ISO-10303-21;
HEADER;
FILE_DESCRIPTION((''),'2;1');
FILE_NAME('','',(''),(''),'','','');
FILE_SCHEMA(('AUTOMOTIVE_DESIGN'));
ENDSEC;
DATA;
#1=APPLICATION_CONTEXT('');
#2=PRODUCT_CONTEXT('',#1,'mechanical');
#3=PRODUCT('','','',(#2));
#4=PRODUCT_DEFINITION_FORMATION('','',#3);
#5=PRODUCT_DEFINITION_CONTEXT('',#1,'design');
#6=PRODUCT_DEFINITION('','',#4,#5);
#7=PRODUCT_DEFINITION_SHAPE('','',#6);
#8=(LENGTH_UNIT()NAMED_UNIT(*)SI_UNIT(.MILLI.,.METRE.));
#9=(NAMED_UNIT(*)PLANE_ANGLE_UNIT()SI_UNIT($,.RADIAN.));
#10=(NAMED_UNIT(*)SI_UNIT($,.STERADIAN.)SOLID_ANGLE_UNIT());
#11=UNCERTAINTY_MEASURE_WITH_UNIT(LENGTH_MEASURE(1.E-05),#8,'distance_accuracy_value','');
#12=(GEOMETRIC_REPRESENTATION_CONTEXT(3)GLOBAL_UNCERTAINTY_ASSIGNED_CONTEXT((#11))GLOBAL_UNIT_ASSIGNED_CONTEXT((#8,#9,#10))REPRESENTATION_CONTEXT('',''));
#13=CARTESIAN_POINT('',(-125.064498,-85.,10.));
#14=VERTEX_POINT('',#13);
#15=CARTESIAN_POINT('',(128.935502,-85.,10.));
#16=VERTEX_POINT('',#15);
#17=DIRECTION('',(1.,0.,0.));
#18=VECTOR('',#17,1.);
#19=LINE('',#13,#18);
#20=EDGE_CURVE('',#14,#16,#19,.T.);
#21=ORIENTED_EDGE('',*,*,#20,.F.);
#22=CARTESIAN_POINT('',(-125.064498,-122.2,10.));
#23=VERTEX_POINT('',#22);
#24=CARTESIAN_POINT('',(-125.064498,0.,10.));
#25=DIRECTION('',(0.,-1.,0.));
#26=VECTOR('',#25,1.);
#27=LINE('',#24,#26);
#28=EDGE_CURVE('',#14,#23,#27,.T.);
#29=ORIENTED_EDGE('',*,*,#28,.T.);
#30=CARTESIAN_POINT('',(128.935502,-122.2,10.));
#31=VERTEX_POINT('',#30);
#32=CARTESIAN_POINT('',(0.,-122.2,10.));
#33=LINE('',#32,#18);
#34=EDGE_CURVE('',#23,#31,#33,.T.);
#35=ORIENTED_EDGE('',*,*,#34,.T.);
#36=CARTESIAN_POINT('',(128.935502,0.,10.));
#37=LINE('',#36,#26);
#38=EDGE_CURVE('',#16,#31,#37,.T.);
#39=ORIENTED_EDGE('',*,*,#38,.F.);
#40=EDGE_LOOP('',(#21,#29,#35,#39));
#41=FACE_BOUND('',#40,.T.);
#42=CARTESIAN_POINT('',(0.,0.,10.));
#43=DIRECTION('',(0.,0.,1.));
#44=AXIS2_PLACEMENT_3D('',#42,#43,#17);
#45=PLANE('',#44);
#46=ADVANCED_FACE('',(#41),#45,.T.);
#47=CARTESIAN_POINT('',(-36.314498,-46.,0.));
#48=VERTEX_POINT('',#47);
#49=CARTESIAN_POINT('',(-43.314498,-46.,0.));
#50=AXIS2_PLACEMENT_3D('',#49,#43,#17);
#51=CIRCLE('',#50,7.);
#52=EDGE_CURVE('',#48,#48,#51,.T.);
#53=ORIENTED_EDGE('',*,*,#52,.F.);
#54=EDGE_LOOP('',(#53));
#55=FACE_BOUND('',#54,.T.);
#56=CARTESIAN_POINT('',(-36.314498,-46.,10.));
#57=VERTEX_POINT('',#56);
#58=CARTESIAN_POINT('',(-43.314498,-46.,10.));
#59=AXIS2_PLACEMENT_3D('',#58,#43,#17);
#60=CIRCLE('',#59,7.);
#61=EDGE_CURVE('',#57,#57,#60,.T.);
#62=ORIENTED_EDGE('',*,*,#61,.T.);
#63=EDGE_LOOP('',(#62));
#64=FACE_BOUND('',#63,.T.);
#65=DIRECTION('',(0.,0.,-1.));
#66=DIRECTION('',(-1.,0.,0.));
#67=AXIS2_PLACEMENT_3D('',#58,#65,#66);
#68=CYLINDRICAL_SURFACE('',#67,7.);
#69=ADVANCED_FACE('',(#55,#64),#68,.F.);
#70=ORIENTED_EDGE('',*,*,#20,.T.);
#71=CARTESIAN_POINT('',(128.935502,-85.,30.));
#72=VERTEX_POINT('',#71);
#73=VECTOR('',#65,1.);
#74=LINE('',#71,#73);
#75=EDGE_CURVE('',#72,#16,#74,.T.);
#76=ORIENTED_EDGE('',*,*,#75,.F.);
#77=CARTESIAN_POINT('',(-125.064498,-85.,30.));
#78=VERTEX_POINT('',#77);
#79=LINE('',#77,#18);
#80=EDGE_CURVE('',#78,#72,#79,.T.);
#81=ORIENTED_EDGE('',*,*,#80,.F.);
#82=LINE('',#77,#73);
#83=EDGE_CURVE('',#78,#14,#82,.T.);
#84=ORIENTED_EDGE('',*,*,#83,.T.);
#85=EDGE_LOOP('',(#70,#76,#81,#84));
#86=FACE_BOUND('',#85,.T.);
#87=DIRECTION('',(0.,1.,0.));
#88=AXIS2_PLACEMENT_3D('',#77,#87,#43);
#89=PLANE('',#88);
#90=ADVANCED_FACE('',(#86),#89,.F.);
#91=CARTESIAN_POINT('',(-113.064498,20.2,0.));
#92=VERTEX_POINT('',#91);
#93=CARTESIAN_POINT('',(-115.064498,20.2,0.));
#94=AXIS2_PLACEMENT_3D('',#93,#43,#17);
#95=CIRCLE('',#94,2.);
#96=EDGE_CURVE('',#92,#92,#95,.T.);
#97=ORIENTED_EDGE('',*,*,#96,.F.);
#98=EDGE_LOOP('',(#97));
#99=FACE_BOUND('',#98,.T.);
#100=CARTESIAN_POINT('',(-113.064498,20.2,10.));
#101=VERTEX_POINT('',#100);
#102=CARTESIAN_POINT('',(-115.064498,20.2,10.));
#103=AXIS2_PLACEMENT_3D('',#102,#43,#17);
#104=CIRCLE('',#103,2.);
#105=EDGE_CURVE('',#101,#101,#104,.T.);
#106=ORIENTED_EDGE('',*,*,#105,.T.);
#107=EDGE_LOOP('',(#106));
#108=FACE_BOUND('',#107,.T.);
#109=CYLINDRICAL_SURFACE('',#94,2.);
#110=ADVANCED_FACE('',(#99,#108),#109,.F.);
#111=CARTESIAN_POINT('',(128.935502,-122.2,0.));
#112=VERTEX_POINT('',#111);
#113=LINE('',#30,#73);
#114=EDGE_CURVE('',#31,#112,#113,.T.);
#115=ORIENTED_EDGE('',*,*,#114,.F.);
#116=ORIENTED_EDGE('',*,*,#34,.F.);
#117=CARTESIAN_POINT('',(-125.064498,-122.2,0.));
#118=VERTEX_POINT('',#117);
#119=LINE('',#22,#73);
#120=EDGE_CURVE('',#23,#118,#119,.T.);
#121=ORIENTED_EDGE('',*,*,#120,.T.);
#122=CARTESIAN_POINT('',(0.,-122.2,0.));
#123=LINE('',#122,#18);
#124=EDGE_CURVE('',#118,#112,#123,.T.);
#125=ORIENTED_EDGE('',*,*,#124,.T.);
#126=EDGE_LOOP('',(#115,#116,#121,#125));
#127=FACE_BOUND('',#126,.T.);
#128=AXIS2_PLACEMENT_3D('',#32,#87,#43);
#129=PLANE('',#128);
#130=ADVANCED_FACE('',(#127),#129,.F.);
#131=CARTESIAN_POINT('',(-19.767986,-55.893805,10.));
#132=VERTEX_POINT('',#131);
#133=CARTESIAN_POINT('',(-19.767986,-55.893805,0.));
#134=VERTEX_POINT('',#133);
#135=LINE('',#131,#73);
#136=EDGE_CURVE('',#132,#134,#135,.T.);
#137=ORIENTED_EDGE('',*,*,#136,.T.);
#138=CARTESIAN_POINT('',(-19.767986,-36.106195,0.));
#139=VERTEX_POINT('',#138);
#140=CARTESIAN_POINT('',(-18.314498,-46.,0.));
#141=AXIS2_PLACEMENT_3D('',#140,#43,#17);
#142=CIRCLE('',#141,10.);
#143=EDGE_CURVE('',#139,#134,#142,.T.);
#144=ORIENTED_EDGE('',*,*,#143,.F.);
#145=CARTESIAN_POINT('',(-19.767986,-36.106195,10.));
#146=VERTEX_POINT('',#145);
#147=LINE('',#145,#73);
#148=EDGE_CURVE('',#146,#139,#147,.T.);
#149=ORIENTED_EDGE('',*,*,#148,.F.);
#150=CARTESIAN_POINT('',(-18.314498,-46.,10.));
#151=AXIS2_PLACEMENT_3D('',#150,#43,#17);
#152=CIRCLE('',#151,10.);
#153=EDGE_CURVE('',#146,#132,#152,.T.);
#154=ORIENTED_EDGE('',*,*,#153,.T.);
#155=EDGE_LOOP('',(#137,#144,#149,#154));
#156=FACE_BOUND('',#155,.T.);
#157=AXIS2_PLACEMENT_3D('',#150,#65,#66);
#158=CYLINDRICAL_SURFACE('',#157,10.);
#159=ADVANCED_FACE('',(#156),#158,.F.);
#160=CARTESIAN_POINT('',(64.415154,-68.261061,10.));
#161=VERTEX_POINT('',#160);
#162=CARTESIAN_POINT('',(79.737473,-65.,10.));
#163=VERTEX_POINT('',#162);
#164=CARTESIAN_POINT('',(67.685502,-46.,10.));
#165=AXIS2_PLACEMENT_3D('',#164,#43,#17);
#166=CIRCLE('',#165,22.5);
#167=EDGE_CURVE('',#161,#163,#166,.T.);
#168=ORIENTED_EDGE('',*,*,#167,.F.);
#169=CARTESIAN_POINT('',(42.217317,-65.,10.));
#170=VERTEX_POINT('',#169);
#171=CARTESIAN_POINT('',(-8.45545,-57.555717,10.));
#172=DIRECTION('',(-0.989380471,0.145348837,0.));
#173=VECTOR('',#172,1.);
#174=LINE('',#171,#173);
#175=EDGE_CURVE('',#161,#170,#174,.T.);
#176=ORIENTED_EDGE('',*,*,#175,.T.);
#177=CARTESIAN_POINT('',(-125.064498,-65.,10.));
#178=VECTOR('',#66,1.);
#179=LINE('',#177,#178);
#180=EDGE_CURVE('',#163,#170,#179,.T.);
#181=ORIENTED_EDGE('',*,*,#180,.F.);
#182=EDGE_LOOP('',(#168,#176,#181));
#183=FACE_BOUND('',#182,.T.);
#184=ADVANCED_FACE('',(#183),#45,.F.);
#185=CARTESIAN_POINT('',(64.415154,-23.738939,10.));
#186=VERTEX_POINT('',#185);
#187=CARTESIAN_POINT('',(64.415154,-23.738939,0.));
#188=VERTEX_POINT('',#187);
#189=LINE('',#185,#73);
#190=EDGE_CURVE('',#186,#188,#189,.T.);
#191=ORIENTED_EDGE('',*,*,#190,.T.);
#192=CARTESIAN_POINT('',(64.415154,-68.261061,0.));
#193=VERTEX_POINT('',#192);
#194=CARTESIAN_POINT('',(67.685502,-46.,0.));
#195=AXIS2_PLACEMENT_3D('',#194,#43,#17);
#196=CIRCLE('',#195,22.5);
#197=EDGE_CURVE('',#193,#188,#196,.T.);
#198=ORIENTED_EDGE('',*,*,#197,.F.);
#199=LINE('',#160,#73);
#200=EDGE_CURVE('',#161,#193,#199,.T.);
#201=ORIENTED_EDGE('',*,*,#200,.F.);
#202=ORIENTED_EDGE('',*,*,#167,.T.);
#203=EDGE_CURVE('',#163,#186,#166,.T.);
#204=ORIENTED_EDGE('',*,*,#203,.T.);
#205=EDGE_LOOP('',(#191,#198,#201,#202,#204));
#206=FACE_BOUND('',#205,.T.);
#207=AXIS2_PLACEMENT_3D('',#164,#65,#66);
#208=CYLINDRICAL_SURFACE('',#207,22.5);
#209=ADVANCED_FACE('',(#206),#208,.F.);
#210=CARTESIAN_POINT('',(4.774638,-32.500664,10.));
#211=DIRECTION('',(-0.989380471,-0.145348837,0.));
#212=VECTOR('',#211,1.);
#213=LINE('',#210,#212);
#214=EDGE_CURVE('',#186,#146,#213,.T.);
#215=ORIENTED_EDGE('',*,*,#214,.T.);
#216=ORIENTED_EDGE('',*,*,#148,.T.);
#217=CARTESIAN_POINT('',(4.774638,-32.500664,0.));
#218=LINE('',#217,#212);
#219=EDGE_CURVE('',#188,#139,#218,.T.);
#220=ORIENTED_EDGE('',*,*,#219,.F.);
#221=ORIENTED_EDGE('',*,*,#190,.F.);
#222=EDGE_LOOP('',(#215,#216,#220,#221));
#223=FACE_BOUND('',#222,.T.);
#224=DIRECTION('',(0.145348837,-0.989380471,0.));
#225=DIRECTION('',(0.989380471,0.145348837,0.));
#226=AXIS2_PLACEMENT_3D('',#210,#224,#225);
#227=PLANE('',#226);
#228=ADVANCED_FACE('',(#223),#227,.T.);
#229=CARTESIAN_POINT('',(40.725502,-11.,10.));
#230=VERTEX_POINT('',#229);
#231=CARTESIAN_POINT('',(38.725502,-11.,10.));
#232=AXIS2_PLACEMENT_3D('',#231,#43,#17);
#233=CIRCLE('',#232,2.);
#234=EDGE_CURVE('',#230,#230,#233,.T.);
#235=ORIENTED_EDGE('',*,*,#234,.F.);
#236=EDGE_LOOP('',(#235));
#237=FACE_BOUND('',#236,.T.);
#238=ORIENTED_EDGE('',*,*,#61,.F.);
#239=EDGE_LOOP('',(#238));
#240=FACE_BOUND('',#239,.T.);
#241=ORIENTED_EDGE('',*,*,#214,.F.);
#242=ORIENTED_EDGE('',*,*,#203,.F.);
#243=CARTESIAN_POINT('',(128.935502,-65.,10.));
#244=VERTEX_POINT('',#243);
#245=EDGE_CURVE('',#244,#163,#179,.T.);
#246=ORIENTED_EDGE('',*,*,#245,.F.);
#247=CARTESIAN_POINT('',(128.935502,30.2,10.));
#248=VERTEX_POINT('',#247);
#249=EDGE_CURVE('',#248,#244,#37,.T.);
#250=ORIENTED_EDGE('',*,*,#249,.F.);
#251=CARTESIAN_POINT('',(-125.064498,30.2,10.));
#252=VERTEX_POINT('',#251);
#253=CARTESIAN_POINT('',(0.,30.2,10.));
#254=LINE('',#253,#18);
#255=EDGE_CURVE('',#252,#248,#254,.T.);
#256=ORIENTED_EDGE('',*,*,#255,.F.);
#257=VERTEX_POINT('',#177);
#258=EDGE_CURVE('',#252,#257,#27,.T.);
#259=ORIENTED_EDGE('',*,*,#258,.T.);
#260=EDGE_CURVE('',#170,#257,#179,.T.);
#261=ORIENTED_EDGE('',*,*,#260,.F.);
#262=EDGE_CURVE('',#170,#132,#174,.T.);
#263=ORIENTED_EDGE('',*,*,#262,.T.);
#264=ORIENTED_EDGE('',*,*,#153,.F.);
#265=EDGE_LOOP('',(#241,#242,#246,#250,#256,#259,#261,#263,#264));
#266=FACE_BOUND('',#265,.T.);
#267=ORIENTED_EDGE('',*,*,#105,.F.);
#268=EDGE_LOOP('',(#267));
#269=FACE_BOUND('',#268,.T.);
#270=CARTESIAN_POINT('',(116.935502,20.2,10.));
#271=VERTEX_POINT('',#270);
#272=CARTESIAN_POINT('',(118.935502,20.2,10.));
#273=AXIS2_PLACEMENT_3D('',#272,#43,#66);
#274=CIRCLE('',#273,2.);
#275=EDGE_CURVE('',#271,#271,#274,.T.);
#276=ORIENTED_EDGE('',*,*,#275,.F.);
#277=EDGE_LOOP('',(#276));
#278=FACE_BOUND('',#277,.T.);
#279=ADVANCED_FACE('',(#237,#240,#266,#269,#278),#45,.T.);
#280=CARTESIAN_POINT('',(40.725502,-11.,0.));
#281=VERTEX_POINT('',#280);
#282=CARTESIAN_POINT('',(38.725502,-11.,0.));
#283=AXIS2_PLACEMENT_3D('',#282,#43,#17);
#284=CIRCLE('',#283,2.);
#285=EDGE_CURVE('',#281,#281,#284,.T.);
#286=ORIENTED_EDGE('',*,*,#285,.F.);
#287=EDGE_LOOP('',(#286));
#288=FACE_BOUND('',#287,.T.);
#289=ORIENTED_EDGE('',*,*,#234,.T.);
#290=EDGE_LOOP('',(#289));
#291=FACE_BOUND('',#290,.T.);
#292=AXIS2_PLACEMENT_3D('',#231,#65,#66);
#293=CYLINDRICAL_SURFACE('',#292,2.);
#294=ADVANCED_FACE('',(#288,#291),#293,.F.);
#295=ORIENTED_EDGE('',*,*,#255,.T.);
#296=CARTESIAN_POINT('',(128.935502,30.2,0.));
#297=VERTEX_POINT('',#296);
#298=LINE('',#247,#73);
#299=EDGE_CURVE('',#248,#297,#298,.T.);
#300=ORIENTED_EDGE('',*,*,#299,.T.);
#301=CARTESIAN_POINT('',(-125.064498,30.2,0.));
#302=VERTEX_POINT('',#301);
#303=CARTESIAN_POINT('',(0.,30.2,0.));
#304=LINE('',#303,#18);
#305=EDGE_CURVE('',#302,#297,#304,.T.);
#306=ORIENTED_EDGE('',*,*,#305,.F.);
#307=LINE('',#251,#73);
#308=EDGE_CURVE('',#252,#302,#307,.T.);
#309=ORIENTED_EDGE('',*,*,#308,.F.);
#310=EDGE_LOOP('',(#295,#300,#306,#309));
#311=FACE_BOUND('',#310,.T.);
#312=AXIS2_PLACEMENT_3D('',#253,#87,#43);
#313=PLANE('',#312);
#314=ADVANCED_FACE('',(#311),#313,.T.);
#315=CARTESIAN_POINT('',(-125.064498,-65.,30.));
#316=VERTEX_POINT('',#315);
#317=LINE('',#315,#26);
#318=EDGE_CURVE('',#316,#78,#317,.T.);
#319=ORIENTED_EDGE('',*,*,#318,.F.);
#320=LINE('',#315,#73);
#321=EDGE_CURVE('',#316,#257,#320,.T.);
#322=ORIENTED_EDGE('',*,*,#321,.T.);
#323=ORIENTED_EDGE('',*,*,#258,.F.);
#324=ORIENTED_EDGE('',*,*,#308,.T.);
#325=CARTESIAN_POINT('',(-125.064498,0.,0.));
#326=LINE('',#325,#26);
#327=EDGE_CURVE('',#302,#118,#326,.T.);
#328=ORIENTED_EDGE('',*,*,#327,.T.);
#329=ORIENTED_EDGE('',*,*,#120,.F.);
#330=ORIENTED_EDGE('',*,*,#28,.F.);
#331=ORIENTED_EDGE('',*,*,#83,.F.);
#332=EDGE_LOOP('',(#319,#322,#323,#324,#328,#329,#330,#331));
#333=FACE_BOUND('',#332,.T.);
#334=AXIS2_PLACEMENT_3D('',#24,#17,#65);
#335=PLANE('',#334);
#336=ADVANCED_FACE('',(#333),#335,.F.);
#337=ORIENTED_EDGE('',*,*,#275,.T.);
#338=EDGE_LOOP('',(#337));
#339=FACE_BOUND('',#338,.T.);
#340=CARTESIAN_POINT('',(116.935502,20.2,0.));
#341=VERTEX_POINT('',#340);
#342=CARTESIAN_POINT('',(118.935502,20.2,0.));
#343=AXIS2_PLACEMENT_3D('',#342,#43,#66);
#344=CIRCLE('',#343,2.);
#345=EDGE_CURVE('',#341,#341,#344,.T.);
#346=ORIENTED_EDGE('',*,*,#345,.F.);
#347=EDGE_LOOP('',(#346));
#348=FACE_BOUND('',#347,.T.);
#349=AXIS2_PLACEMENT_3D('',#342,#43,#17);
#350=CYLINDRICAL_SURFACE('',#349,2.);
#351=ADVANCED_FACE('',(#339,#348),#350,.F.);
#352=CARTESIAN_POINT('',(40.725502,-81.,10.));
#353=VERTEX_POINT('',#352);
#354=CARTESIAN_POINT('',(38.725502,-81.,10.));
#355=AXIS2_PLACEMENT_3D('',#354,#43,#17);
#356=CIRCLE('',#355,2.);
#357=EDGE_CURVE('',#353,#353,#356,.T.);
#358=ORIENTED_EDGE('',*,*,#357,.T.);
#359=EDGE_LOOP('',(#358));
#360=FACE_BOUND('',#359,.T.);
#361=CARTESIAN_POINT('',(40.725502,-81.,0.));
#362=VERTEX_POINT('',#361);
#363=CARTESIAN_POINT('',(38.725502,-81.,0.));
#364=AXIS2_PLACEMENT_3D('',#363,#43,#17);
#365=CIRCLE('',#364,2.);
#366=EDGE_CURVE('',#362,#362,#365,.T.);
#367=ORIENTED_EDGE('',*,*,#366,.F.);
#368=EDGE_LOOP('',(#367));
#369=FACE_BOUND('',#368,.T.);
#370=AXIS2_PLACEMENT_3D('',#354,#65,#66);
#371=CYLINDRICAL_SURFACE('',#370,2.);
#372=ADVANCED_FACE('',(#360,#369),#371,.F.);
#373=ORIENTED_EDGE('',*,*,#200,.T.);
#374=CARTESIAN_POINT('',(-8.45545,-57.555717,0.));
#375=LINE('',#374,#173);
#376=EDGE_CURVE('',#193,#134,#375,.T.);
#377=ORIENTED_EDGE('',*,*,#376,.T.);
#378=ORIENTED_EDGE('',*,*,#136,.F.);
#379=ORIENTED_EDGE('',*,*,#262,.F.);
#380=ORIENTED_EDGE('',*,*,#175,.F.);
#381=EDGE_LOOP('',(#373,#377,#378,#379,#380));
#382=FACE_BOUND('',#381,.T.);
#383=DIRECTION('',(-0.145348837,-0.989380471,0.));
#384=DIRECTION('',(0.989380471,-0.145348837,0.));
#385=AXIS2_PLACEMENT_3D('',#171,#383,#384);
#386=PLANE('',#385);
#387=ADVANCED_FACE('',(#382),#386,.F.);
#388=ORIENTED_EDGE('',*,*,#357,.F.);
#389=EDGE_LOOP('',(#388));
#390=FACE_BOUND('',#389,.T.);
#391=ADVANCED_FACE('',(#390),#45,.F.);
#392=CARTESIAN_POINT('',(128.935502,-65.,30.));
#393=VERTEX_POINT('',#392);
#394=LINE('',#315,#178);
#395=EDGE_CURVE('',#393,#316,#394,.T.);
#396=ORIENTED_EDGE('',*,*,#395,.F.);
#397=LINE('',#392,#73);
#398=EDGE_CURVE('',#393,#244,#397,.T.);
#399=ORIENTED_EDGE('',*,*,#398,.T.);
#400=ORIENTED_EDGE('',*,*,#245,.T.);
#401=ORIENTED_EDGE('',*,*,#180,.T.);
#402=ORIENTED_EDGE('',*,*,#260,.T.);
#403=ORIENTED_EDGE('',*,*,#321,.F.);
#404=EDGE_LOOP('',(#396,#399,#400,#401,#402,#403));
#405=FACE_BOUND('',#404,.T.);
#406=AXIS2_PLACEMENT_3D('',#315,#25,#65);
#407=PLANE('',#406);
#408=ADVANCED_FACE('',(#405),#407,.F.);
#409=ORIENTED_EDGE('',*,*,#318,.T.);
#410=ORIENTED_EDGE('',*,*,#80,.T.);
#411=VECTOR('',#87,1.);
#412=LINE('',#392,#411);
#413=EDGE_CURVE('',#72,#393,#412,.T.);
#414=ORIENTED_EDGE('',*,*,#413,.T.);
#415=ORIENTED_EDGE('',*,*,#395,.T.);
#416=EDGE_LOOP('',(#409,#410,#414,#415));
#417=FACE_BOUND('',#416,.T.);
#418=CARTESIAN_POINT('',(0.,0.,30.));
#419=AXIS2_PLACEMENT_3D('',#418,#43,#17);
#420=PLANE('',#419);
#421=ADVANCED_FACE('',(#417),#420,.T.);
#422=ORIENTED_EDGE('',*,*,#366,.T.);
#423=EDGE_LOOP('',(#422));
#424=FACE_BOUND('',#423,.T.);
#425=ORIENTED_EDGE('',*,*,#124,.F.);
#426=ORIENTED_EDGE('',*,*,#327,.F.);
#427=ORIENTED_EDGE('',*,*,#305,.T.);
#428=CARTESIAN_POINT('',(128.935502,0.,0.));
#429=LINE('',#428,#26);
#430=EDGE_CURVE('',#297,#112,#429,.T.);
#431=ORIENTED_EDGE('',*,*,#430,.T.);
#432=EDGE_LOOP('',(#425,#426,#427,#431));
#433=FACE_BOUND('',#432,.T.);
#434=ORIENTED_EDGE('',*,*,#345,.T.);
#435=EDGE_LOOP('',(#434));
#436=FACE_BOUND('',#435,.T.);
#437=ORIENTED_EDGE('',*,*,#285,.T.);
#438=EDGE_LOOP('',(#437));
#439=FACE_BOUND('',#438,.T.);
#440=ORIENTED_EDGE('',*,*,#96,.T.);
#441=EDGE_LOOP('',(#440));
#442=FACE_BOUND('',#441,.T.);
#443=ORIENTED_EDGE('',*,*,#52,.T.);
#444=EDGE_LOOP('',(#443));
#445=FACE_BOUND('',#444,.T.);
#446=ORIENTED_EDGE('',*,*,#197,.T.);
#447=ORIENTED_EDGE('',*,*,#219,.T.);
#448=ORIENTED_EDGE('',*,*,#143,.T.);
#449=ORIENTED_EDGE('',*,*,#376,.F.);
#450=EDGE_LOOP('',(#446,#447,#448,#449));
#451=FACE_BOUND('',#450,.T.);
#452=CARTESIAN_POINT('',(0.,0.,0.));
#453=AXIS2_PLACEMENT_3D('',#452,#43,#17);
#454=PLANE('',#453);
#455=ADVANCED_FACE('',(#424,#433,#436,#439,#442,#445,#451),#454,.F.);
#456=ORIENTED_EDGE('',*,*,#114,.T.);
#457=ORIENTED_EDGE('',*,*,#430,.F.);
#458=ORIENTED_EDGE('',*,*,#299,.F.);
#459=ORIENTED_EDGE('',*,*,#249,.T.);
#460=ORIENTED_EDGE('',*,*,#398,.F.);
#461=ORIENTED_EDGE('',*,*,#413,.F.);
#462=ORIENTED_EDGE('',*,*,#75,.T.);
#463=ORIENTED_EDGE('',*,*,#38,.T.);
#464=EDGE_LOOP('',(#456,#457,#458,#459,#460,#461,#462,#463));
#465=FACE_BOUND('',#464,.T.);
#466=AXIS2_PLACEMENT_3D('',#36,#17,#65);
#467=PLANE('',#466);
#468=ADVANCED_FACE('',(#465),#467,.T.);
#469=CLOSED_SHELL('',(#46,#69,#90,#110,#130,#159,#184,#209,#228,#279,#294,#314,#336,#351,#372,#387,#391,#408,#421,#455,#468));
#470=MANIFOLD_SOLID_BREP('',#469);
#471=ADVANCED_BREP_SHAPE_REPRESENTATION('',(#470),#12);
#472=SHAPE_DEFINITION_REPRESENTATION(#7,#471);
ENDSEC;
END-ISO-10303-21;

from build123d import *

# Parameters (mm, degrees)
CROQUIS1_W              = 254
CROQUIS1_H              = 152.4
CROQUIS1_R              = 2
CROQUIS1_R_2            = 7
SALIENTE_EXTRUIR1_DEPTH = 10
CROQUIS2_R              = 2
CORTAR_EXTRUIR1_DEPTH   = 10
CROQUIS3_W              = 254
CROQUIS3_H              = 20
SALIENTE_EXTRUIR2_DEPTH = 20


with BuildPart() as part:
    # Croquis1 → Saliente-Extruir1 (new body)
    with BuildSketch(Plane.XY):
        with Locations((1.935502346, -46)):
            Rectangle(CROQUIS1_W, CROQUIS1_H)
        with Locations((38.725502346, -81)):
            Circle(CROQUIS1_R, mode=Mode.SUBTRACT)
        with Locations((-43.314497654, -46)):
            Circle(CROQUIS1_R_2, mode=Mode.SUBTRACT)
        with BuildLine():
            Line((-19.767986026, -36.106195294), (64.415153509, -23.738939412))
            ThreePointArc((64.415153509, -23.738939412), (82.393784897, -28.973067674), (90.185502346, -46))
            ThreePointArc((90.185502346, -46), (82.393784897, -63.026932326), (64.415153509, -68.261060588))
            Line((64.415153509, -68.261060588), (-19.767986026, -55.893804706))
            ThreePointArc((-19.767986026, -55.893804706), (-28.314497654, -46), (-19.767986026, -36.106195294))
        make_face(mode=Mode.SUBTRACT)
        with Locations((38.725502346, -11)):
            Circle(CROQUIS1_R, mode=Mode.SUBTRACT)
    extrude(amount=SALIENTE_EXTRUIR1_DEPTH)

    # Croquis2 → Cortar-Extruir1 (cut)
    with BuildSketch(Plane.XY.offset(10)):
        with Locations((-115.064497654, 20.2)):
            Circle(CROQUIS2_R)
        with Locations(Location((118.935502346, 20.2, 0), (0, 0, 180))):
            Circle(CROQUIS2_R)
    extrude(amount=-CORTAR_EXTRUIR1_DEPTH, mode=Mode.SUBTRACT)

    # Croquis3 → Saliente-Extruir2 (add)
    with BuildSketch(Plane.XY.offset(10)):
        with Locations((1.935502346, -75)):
            Rectangle(CROQUIS3_W, CROQUIS3_H)
    extrude(amount=SALIENTE_EXTRUIR2_DEPTH)


solid = part.part
